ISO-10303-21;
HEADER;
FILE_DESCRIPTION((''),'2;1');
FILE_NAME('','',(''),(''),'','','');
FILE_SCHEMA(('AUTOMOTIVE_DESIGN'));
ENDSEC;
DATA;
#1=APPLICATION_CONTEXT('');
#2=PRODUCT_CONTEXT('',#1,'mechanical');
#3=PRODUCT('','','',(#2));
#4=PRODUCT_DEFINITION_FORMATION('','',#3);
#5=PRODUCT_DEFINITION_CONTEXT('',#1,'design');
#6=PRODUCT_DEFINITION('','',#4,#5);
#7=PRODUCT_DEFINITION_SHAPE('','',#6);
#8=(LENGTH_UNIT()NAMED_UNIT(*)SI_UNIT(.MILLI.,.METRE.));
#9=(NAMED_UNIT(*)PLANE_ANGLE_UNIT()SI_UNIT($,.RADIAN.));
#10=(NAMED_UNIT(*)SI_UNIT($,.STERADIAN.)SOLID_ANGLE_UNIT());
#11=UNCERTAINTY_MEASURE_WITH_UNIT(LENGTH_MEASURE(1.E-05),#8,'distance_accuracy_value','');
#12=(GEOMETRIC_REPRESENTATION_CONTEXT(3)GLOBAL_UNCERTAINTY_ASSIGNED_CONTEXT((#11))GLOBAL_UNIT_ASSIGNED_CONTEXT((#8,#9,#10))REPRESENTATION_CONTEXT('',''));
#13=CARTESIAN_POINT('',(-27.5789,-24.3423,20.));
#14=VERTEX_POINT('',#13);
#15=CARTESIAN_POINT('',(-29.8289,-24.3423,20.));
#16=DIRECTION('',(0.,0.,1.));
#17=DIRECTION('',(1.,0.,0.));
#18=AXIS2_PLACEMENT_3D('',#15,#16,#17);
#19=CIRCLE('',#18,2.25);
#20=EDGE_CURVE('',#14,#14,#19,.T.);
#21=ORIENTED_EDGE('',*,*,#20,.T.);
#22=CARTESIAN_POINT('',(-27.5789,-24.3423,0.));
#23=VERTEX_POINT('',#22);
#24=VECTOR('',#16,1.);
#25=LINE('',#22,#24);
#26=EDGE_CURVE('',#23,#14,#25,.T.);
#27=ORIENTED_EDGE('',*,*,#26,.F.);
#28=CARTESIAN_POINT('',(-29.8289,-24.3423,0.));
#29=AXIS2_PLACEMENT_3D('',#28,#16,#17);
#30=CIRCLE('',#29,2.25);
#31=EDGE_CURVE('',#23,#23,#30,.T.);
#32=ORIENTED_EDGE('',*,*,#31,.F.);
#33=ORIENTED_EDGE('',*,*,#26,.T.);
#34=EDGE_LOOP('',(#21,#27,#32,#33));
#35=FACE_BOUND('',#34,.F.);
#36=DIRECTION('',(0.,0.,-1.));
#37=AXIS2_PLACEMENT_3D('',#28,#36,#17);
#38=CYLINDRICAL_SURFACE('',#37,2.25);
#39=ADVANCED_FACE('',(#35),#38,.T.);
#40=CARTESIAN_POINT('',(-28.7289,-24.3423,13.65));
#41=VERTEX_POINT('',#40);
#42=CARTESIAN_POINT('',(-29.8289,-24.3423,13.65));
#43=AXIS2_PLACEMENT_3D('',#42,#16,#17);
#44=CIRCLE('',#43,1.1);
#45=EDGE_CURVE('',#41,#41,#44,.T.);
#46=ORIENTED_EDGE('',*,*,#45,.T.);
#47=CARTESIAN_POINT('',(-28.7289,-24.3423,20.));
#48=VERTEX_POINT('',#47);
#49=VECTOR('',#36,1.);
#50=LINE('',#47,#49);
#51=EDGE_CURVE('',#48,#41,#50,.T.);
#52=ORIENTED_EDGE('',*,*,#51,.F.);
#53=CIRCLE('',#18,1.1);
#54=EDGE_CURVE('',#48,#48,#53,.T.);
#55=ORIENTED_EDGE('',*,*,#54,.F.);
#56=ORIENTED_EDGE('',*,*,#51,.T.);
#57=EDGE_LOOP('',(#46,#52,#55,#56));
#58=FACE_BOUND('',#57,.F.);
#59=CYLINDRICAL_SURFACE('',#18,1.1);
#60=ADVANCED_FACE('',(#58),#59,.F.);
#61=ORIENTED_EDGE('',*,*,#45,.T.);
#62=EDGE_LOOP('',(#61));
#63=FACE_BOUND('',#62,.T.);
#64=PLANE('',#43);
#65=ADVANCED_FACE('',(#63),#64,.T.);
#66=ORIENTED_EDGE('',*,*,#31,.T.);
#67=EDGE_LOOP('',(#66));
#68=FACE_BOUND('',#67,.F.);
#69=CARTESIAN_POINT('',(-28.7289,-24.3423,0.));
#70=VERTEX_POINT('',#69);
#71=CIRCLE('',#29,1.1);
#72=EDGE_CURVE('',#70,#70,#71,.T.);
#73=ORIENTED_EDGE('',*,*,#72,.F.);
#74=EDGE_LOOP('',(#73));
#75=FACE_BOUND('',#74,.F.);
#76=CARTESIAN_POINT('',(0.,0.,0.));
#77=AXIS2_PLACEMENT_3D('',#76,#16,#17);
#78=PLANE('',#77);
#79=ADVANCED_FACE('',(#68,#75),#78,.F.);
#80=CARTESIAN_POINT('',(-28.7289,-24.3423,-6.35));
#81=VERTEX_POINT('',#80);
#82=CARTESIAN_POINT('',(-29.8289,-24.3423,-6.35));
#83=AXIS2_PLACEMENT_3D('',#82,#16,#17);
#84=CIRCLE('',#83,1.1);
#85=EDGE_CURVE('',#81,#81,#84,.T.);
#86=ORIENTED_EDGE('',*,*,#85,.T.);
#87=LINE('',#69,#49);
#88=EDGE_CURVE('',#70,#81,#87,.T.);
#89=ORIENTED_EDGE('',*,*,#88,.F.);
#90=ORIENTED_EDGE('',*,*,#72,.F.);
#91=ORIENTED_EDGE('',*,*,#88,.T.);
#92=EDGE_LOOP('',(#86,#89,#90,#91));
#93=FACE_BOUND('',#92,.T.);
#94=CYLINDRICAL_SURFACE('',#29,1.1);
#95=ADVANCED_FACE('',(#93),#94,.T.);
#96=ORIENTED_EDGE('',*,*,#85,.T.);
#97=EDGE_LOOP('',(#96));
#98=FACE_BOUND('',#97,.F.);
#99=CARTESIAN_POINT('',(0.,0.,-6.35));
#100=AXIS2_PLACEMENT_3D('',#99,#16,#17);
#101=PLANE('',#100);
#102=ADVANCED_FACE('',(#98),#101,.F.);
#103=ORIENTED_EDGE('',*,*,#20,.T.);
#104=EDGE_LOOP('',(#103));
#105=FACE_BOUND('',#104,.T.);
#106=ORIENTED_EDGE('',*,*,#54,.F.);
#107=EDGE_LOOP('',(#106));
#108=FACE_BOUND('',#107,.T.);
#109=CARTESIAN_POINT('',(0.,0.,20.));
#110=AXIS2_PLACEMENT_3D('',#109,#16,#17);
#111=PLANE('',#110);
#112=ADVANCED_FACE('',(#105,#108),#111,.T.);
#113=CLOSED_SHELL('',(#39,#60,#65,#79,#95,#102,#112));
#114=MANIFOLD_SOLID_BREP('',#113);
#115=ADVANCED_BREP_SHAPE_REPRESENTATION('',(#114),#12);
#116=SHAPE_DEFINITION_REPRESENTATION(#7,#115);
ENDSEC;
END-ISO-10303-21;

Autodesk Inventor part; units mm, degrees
ref_plane "YZ Plane" through (0, 0, 0) normal (1, 0, 0) x (0, 1, 0)
ref_plane "XZ Plane" through (0, 0, 0) normal (0, 1, 0) x (-1, 0, 0)
ref_plane "XY Plane" through (0, 0, 0) normal (0, 0, 1) x (1, 0, 0)
ref_plane "Work Plane1" through (0, 0, 0) normal (0, 0, 1) x (1, 0, 0)
sketch "Sketch1" plane through (0, 0, 0) normal (0, 0, 1) x (1, 0, 0)
  circle A0 centre (-29.8289, -24.3423) radius 1.1 projected
  point P0 (0, 0)
extrude "Extrusion1" add sketch "Sketch1" against normal blind 6.35
ref_plane "Work Plane2" through (0, 0, 0) normal (0, 0, 1) x (1, 0, 0)
sketch "Sketch2" plane through (0, 0, 0) normal (0, 0, 1) x (1, 0, 0)
  circle A0 centre (-29.8289, -24.3423) radius 1.1 projected
  circle A1 centre (-29.8289, -24.3423) radius 2.25
  point P0 (0, 0)
  dimension "d5" = 4.5
extrude "Extrusion3" add sketch "Sketch2" along normal blind 20 contours A0 | A1
sketch "Sketch3" plane through (-29.8289, -24.3423, 20) normal (0, 0, 1) x (1, 0, 0)
  circle A0 centre (0, 0) radius 1.1
  point P0 (29.8289, 24.3423)
extrude "Extrusion4" cut sketch "Sketch3" against normal blind 6.35
properties part number "standoff" material "Stainless Steel"
